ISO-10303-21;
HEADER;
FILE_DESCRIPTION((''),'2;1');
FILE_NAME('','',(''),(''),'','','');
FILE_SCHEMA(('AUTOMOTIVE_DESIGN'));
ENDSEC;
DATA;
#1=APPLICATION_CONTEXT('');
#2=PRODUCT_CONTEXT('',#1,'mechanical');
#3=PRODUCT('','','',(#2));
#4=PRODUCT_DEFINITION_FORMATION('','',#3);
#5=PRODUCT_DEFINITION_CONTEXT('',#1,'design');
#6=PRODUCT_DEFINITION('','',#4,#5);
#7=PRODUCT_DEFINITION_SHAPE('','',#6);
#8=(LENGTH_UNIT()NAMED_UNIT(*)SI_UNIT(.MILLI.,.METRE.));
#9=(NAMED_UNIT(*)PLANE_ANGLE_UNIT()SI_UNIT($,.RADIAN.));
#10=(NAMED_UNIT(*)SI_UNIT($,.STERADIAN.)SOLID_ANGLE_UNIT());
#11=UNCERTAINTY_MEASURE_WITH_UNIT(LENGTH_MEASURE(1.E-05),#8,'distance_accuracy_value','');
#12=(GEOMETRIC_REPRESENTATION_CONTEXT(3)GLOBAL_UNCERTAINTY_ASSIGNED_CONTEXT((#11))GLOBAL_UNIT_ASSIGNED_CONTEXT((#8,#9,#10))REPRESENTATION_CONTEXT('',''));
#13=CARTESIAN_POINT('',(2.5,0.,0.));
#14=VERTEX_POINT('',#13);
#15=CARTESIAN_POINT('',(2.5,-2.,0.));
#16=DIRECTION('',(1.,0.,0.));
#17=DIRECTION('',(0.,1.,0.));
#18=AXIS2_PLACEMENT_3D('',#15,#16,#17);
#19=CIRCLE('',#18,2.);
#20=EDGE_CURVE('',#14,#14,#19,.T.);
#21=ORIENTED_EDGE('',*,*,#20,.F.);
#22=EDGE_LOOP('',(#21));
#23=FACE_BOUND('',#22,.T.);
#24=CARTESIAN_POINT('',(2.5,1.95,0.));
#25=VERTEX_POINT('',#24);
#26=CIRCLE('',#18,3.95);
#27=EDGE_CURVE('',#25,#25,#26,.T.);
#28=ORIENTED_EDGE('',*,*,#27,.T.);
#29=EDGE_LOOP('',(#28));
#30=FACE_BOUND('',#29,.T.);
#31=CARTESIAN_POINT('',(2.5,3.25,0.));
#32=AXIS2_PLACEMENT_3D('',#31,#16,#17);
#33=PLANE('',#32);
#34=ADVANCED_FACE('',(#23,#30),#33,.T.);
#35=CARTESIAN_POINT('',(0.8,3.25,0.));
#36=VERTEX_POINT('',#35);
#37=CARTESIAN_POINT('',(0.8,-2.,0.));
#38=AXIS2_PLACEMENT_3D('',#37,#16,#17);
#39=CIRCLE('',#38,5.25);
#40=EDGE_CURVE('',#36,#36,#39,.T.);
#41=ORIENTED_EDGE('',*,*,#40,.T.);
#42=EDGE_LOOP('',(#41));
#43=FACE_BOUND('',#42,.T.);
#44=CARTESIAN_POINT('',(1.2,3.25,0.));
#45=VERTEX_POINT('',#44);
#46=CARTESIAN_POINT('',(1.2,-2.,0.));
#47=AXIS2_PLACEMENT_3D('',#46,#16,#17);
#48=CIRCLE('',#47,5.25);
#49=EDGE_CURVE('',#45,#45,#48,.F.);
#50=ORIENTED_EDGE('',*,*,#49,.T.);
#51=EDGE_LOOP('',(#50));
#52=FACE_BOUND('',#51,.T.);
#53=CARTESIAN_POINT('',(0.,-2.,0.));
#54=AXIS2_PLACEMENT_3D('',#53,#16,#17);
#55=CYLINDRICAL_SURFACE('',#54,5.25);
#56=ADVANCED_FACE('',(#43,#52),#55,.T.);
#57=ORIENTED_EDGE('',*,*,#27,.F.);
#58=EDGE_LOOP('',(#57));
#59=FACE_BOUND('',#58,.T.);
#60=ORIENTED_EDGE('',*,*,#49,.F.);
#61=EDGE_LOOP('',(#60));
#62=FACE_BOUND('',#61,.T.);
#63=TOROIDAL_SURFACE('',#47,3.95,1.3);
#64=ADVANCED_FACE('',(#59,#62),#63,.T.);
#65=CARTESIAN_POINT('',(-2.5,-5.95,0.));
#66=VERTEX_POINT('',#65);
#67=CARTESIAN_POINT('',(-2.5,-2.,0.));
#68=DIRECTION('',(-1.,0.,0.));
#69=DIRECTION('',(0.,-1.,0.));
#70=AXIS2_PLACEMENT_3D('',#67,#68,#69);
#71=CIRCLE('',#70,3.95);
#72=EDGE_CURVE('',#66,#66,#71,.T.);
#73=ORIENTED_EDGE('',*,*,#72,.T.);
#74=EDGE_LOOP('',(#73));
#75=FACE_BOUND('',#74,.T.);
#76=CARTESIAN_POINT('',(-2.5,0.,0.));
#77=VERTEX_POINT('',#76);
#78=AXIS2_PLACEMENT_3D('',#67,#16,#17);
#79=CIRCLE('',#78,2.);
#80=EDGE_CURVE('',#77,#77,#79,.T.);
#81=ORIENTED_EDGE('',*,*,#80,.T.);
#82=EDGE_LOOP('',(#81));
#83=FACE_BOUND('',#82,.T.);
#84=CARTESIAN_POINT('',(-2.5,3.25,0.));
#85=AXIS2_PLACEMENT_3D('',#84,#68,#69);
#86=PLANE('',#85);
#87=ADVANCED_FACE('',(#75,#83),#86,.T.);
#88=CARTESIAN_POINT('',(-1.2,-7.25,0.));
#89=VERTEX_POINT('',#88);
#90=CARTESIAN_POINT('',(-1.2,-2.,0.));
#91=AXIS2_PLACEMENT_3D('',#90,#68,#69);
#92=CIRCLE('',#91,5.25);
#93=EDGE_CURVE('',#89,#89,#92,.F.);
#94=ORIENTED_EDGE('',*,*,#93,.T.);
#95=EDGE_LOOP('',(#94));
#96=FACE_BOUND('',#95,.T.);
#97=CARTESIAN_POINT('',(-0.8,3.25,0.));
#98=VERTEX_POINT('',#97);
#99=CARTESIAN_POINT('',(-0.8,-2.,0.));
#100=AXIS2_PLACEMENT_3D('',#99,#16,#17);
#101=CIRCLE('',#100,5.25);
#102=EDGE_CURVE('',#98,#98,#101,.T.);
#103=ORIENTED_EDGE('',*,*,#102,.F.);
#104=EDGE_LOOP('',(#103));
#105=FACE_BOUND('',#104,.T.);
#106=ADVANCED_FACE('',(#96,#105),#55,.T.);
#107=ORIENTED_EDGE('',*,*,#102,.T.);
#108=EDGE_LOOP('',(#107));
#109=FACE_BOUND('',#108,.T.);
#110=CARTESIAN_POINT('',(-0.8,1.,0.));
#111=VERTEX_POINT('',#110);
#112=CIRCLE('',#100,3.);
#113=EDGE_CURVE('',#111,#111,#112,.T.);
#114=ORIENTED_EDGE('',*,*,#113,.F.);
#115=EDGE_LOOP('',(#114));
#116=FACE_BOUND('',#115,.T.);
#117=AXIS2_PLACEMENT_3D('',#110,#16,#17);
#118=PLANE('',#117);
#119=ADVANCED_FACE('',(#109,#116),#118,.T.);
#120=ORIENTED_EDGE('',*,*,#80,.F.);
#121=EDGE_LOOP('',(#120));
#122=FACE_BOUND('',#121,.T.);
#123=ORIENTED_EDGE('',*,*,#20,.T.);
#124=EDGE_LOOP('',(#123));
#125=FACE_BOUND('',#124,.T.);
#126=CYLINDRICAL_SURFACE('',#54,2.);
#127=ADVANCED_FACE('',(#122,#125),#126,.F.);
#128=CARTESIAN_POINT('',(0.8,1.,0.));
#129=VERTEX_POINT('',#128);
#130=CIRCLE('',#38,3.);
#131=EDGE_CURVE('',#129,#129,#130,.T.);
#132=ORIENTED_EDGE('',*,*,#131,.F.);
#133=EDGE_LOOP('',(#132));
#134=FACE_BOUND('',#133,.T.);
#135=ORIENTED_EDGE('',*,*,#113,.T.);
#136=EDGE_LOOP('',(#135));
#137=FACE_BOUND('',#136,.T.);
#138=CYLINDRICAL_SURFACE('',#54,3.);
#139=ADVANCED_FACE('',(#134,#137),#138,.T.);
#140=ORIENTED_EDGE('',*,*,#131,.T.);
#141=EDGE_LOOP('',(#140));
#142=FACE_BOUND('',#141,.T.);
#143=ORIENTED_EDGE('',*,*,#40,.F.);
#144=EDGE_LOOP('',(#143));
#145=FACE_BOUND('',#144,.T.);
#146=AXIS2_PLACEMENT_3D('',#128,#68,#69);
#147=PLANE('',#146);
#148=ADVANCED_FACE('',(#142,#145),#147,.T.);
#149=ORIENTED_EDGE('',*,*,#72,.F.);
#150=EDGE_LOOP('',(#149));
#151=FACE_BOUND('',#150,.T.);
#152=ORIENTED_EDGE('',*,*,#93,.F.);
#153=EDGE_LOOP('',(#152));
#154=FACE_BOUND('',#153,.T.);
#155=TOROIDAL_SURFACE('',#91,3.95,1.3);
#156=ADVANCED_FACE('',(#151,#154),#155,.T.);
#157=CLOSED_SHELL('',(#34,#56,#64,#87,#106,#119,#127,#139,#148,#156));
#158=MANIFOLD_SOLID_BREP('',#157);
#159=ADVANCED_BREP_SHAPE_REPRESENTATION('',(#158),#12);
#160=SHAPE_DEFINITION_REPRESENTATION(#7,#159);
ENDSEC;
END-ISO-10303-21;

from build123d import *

# Parameters (mm, degrees)
FILLET_1_R = 1.3


with BuildPart() as part:
    # Эскиз1 → Повернуть1 (revolve)
    with BuildSketch(Plane.XY):
        Polygon((-0.8, 1), (0.8, 1), (0.8, 3.25), (2.5, 3.25), (2.5, 0), (-2.5, 0), (-2.5, 3.25), (-0.8, 3.25), align=None)
    revolve(axis=Axis((0, -2, 0), (-1, 0, 0)))

    # Скругление1
    fillet_1_edges = [part.edges().sort_by_distance(p)[0] for p in [
        (2.5, -7.25, 0),
        (-2.5, -7.25, 0),
    ]]
    fillet(fillet_1_edges, radius=FILLET_1_R)


solid = part.part
